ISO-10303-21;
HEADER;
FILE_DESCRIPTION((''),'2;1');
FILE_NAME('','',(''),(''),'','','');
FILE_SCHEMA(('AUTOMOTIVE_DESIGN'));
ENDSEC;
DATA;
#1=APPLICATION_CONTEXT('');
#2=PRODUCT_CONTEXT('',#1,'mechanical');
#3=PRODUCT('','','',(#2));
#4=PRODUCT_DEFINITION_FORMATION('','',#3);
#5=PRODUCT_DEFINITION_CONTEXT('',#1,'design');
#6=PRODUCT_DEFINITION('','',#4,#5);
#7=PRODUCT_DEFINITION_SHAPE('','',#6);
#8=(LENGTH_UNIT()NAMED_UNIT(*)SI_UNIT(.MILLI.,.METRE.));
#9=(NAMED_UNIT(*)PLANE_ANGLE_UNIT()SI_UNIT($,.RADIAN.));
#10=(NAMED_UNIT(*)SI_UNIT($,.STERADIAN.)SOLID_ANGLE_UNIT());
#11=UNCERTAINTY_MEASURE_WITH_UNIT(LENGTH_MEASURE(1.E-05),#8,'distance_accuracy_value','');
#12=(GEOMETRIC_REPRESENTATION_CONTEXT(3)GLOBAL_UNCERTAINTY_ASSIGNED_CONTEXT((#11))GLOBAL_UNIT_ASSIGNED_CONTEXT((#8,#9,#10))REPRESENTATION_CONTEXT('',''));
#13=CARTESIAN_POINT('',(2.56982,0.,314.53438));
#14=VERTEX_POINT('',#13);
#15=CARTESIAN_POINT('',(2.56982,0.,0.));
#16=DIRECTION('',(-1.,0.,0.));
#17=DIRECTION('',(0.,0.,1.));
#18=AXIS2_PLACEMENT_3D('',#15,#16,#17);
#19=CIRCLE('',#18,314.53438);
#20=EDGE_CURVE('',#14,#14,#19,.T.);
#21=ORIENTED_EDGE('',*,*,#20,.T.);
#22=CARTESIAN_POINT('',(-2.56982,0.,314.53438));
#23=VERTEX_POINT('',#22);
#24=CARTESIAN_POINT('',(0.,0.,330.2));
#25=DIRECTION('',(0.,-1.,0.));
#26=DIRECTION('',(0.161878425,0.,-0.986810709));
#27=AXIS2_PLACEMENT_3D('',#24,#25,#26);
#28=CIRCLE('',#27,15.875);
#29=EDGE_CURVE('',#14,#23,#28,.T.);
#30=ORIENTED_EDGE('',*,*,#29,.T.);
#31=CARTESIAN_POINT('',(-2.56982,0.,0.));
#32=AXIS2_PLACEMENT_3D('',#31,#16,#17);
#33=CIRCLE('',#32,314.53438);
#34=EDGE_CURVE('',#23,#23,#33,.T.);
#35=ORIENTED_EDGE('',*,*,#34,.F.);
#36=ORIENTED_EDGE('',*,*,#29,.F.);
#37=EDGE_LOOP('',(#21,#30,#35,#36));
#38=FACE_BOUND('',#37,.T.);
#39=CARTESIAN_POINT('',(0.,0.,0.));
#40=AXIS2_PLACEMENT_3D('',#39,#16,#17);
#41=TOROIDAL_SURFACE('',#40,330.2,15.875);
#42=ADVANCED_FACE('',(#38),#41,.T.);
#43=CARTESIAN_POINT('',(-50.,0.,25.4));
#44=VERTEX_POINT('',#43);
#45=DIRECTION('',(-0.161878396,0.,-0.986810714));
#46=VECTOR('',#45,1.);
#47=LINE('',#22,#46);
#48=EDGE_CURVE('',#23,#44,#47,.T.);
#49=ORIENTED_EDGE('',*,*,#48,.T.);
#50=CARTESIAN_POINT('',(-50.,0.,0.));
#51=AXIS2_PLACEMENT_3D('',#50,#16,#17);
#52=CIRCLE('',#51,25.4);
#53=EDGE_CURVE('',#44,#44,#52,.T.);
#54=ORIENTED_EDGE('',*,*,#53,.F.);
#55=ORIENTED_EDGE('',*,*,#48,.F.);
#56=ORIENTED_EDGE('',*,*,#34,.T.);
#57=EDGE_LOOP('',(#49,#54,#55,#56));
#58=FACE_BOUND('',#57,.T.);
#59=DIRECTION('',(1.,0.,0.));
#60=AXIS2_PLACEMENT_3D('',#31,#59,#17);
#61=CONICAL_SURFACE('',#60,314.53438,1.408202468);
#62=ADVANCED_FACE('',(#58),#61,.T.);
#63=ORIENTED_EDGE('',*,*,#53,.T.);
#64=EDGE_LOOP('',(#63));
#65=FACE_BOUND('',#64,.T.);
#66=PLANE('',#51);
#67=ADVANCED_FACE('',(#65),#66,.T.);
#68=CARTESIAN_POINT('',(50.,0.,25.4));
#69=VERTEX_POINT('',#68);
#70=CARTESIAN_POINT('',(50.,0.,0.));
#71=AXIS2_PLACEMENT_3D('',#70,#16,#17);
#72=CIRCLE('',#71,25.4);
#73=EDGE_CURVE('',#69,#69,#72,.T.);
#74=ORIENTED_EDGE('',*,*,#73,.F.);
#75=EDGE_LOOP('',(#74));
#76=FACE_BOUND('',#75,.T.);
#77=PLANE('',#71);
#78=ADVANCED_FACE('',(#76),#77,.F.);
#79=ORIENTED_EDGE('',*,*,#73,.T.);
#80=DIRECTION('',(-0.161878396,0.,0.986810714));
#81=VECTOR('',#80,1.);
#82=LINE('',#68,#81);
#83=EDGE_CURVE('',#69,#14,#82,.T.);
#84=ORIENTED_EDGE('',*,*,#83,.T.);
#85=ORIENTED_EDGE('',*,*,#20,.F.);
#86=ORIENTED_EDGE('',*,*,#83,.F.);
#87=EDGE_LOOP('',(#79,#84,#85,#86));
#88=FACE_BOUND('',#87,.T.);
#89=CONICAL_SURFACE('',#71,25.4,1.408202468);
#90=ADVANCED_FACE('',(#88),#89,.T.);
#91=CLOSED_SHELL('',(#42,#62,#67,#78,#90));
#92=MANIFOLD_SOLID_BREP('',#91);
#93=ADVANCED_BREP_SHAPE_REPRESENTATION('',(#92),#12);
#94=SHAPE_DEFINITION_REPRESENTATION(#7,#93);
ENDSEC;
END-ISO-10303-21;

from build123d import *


with BuildPart() as f1:
    # F0 (on Front) → F1 (revolve)
    with BuildSketch(Plane.XZ):
        with BuildLine():
            Line((-50, 0), (50, 0))
            Line((50, 0), (50, 25.4))
            Line((50, 25.4), (2.56982, 314.53438))
            ThreePointArc((2.56982, 314.53438), (0, 346.075), (-2.56982, 314.53438))
            Line((-2.56982, 314.53438), (-50, 25.4))
            Line((-50, 25.4), (-50, 0))
        make_face()
    revolve(axis=Axis((0, 0, 0), (-1, 0, 0)))


solid = f1.part
